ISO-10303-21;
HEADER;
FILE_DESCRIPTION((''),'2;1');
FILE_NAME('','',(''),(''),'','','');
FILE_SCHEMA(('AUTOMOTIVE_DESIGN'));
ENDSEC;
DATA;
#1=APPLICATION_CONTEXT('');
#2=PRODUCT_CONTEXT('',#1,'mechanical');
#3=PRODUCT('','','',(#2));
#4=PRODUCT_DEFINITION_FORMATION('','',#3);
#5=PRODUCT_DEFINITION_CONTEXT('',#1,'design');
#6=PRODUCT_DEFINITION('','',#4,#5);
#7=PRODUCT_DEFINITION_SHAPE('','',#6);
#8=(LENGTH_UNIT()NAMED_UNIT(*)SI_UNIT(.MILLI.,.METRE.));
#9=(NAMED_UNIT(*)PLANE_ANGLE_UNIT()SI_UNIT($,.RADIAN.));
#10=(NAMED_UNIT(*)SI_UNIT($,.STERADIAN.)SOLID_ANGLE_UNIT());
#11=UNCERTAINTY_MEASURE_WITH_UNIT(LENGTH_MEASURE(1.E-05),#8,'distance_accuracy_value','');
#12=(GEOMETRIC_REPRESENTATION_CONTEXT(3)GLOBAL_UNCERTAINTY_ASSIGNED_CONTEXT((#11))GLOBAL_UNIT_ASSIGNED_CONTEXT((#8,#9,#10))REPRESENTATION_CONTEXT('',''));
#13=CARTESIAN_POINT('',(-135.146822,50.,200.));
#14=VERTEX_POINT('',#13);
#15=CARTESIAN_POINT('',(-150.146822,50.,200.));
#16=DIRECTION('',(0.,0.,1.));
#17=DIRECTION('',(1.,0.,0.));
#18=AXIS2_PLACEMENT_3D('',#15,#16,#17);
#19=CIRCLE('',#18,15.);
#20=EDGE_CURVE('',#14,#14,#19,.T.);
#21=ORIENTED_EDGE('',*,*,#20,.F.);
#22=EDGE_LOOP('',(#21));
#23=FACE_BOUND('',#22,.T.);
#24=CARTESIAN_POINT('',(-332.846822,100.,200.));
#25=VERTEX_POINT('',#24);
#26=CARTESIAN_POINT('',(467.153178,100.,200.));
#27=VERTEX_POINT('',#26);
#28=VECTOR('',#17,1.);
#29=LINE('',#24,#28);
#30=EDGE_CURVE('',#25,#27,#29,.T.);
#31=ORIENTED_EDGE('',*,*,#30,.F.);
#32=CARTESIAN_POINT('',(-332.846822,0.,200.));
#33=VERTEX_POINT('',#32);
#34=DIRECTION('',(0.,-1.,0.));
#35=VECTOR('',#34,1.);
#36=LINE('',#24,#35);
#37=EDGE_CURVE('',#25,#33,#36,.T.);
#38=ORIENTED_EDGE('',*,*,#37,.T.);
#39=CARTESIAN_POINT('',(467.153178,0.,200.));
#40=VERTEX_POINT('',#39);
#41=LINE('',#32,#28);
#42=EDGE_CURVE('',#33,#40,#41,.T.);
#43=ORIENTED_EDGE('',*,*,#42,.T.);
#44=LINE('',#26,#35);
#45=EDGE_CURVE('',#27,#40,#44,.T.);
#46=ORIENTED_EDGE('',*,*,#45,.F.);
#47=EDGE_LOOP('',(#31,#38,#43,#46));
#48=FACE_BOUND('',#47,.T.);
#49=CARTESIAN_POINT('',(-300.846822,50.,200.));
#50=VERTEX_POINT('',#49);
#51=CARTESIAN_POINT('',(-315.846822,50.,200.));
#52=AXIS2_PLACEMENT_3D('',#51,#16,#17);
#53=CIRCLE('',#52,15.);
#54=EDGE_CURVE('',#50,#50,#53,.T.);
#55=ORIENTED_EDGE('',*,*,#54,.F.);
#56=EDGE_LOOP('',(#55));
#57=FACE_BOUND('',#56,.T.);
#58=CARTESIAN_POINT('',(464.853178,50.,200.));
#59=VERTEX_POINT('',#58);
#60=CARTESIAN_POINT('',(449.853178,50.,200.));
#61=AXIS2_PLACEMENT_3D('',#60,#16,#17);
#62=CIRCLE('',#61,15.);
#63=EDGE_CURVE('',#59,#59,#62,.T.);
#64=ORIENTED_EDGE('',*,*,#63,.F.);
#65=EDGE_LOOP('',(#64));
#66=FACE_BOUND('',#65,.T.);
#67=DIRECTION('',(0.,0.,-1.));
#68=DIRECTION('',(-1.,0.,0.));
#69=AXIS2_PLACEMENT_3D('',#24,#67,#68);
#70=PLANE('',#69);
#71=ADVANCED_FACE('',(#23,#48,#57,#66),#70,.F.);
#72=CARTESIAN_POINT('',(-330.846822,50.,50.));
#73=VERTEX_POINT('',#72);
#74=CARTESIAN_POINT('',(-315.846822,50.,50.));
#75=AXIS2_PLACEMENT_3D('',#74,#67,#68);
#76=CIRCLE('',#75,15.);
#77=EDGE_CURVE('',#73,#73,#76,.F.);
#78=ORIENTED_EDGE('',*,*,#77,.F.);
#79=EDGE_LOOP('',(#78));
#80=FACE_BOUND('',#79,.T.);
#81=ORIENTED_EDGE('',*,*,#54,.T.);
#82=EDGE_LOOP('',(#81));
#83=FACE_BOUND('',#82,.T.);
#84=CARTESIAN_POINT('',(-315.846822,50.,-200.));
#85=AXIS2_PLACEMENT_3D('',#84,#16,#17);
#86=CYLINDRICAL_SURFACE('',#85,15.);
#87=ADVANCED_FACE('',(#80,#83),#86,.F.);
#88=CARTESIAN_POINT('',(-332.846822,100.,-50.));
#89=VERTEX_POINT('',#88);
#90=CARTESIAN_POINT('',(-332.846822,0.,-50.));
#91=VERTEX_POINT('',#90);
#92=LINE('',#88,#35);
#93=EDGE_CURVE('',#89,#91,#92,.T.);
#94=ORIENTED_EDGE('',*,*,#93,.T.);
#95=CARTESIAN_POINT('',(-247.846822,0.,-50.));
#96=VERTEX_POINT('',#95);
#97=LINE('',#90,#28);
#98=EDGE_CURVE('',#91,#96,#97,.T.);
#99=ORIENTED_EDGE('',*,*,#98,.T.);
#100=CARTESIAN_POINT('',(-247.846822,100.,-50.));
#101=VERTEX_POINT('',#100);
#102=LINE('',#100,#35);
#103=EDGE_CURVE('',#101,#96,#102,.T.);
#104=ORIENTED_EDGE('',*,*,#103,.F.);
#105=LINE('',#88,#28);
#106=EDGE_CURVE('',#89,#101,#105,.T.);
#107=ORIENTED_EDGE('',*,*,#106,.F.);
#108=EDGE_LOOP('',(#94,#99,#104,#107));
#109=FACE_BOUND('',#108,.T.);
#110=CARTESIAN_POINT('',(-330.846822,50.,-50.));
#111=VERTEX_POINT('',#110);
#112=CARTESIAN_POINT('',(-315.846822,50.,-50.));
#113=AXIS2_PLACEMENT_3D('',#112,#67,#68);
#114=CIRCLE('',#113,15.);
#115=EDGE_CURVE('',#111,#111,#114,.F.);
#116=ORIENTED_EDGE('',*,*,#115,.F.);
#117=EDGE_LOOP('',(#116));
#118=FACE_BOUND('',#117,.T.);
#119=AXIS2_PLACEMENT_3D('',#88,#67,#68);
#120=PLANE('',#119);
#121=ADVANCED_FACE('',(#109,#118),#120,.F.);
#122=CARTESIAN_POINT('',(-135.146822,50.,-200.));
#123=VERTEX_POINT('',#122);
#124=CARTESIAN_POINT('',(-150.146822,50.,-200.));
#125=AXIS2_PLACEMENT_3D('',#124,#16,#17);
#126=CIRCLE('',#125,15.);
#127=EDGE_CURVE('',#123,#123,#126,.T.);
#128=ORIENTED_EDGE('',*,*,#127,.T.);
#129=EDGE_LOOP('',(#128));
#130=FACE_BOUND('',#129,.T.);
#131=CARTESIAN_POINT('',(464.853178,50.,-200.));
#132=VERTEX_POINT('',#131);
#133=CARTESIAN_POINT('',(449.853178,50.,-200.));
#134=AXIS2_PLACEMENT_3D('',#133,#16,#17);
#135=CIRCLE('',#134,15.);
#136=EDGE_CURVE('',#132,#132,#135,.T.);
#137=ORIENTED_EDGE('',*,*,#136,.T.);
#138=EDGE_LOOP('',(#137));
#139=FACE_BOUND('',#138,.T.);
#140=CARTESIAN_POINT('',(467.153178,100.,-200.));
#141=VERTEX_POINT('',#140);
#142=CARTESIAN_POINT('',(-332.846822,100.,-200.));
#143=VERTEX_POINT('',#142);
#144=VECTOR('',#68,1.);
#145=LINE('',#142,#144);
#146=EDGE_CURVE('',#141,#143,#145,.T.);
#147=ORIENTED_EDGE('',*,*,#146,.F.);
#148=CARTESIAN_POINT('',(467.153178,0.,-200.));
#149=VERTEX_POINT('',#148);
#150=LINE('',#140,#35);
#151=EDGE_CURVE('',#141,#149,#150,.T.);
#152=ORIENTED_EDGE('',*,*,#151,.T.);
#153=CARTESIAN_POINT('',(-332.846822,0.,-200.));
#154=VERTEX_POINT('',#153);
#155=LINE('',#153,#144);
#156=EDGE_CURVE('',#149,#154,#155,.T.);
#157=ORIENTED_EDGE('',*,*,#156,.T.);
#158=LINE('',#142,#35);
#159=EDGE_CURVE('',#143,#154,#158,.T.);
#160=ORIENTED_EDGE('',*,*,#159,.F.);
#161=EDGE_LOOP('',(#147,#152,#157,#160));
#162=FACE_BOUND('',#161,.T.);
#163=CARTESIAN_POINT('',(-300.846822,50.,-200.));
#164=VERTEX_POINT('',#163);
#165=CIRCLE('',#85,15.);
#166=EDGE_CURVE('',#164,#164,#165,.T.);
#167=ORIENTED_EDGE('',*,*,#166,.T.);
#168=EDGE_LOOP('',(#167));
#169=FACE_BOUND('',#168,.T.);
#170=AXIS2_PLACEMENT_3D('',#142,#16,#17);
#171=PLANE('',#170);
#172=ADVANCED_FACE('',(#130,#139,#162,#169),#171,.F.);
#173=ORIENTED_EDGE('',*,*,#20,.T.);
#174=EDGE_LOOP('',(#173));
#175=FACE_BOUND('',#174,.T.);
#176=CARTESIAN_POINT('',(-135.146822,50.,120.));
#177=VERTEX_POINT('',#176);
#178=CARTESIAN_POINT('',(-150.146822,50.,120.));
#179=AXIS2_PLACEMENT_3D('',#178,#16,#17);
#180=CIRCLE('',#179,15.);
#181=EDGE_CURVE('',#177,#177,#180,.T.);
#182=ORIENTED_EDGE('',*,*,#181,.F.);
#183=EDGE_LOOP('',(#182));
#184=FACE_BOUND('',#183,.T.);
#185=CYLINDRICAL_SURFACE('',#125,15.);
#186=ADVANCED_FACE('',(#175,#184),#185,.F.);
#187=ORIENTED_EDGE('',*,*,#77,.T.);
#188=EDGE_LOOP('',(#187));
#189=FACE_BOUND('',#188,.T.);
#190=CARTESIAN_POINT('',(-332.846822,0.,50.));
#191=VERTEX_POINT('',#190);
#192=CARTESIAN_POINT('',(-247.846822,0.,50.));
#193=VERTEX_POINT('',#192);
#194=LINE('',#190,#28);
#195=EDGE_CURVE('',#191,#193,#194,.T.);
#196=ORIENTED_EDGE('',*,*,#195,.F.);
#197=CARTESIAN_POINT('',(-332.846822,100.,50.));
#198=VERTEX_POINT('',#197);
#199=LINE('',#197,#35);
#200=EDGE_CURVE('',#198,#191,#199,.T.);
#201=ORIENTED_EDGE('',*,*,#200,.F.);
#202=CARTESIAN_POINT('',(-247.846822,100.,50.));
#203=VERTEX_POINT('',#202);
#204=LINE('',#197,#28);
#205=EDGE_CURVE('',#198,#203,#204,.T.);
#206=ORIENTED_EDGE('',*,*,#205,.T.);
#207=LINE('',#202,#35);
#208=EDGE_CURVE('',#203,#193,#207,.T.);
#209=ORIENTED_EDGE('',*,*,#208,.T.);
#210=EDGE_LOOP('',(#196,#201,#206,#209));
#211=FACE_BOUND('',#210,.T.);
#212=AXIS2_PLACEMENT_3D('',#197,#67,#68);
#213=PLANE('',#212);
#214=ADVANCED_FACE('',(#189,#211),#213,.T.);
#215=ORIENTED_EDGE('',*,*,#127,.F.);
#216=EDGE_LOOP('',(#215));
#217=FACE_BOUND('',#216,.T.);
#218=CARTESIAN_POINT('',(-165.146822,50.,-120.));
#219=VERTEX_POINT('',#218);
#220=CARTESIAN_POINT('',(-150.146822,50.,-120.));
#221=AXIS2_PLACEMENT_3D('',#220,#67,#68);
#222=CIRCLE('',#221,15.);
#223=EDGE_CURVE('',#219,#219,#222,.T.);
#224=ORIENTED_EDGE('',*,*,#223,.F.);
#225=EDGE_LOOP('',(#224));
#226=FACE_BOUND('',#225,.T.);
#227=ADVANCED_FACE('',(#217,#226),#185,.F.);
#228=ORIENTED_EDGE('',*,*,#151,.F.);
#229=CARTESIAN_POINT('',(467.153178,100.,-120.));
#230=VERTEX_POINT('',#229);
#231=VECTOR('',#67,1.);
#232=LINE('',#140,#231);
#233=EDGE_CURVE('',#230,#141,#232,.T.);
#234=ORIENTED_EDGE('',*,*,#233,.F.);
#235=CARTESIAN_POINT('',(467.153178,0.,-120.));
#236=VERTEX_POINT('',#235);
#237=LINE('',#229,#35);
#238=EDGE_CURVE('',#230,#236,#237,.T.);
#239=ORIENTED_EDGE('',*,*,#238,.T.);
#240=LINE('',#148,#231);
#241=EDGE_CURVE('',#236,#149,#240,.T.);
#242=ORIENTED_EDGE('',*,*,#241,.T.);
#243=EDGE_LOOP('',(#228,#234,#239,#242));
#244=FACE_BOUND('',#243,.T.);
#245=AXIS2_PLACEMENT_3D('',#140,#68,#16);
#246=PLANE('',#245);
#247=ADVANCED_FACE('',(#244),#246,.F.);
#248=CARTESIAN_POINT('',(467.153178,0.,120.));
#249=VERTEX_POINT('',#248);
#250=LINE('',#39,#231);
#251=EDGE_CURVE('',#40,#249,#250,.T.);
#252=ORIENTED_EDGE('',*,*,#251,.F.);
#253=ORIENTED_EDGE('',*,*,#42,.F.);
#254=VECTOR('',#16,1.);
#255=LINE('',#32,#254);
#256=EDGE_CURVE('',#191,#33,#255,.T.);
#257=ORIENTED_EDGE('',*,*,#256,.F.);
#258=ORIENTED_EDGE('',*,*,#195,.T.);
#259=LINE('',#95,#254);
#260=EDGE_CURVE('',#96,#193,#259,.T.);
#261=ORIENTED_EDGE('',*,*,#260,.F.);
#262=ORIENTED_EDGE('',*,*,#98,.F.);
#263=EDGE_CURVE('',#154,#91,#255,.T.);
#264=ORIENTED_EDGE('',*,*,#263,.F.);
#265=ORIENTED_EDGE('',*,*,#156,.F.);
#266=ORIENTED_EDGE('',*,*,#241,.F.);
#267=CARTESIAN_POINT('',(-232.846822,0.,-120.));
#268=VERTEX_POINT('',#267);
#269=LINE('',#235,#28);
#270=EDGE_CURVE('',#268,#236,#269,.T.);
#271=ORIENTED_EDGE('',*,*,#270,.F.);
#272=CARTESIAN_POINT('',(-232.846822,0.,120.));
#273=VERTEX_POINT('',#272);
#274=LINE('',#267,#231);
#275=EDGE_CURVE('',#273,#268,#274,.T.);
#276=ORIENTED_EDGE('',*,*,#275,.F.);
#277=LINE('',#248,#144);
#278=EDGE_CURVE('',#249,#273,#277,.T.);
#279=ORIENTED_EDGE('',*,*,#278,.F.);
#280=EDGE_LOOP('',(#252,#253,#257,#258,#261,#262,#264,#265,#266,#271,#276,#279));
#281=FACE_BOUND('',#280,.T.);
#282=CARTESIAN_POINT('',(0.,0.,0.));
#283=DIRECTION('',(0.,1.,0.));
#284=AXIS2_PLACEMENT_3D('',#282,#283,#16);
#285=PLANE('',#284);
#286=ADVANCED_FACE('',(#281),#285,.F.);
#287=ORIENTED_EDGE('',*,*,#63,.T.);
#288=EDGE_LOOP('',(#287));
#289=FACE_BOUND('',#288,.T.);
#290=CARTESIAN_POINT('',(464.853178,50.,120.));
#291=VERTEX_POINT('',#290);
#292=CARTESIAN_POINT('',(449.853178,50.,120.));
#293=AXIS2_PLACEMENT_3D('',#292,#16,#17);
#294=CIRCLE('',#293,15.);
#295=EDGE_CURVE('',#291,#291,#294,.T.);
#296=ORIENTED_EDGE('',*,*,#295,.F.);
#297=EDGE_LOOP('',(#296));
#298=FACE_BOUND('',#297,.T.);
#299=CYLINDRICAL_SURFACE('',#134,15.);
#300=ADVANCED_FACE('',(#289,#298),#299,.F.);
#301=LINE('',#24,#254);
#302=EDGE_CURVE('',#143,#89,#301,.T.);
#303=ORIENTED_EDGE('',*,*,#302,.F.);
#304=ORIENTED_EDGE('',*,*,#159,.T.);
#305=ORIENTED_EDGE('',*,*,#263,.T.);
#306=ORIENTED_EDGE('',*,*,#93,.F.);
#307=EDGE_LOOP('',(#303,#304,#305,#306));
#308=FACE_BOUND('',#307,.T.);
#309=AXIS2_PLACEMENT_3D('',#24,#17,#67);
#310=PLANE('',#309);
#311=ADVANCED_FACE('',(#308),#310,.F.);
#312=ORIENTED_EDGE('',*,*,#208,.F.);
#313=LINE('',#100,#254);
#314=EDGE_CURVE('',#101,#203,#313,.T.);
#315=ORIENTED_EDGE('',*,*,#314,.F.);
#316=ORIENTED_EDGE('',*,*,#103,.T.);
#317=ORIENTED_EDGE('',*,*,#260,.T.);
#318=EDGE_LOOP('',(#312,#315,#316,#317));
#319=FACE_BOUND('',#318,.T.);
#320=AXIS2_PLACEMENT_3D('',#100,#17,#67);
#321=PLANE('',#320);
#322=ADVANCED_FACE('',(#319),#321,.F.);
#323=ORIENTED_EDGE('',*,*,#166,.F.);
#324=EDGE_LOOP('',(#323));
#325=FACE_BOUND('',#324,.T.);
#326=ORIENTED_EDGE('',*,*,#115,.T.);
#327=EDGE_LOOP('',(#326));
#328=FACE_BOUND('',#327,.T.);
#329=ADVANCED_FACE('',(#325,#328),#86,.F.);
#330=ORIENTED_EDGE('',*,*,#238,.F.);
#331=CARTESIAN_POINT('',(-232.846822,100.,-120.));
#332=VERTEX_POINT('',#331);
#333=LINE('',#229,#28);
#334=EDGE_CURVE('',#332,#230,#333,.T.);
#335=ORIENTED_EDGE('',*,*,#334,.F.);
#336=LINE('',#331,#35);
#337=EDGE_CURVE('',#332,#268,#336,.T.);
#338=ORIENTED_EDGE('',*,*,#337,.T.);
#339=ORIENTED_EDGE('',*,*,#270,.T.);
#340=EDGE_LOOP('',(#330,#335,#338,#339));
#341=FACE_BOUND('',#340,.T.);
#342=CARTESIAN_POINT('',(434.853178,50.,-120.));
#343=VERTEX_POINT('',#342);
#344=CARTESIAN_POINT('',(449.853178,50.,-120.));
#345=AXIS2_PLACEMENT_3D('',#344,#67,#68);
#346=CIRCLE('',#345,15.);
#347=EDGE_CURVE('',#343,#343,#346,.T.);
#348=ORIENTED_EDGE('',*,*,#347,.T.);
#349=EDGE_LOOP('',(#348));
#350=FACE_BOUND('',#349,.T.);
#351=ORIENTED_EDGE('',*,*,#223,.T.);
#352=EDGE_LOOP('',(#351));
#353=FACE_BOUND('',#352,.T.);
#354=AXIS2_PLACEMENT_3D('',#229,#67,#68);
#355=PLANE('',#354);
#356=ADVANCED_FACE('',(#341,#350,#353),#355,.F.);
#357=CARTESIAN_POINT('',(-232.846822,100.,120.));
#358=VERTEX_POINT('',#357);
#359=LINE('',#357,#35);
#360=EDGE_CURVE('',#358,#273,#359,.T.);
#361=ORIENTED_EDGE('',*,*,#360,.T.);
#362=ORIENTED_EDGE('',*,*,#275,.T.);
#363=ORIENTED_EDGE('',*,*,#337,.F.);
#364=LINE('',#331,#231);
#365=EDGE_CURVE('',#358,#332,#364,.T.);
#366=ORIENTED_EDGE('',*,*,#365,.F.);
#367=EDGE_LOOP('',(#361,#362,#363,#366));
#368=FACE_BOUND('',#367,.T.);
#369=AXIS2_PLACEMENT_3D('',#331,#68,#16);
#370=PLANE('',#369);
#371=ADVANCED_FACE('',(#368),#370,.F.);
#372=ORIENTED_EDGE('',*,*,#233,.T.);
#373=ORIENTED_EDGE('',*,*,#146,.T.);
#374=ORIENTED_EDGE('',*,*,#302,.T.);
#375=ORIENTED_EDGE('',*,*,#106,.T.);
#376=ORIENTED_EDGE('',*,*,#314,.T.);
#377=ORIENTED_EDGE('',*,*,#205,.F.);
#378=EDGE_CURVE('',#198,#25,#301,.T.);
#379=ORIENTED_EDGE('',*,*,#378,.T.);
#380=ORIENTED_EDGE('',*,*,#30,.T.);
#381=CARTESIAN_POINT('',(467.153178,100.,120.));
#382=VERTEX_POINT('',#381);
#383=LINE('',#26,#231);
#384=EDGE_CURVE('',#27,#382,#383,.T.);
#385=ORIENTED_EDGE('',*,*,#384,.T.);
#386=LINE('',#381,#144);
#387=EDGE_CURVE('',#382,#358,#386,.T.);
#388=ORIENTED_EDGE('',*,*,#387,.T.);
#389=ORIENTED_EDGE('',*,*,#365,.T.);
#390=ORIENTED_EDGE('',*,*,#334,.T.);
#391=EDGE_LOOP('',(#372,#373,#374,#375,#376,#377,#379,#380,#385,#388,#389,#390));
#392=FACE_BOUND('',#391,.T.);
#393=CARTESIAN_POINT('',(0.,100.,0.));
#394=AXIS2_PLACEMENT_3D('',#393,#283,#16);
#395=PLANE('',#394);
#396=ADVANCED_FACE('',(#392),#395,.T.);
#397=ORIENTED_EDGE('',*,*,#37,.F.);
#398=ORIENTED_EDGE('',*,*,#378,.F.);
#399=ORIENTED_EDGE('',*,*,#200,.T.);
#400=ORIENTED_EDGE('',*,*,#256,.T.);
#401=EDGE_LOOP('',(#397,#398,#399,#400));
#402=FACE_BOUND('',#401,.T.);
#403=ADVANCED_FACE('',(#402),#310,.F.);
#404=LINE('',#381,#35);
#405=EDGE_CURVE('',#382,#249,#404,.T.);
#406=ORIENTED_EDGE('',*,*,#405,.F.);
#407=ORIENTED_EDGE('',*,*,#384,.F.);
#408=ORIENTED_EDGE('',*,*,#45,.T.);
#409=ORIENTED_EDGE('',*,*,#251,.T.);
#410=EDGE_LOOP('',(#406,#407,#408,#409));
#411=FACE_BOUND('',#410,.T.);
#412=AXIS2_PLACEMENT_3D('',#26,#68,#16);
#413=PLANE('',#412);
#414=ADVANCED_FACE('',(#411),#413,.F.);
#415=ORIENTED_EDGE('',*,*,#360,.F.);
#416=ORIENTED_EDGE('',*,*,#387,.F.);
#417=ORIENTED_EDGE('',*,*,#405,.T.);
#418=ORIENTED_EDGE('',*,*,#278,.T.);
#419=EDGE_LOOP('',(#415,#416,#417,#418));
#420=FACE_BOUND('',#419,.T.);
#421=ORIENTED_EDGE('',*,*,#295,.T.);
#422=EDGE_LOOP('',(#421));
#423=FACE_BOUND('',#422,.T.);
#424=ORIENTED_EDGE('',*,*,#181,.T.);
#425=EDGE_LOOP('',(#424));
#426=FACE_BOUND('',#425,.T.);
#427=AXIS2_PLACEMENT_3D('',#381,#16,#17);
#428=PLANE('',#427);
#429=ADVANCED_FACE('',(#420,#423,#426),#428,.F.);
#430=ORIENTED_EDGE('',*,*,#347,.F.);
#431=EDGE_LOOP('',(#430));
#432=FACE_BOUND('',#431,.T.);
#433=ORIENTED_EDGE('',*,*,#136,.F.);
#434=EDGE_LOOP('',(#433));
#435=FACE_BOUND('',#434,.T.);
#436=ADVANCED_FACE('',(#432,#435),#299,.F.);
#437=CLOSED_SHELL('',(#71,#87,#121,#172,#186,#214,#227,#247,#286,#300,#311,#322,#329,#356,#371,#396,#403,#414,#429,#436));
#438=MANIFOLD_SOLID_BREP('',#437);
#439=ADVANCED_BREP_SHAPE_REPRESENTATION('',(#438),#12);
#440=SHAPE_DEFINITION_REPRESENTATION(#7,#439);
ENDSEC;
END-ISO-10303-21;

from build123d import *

# Parameters (mm, degrees)
ESTRUSIONE_ESTRUSIONE1_DEPTH  = 100
TAGLIO_ESTRUSIONE5_DEPTH      = 518.911277836
TAGLIO_ESTRUSIONE5_DEPTH_BACK = 518.911277836
SCHIZZO2_R                    = 15
TAGLIO_ESTRUSIONE6_DEPTH      = 518.911277836
TAGLIO_ESTRUSIONE6_DEPTH_BACK = 518.911277836
SCHIZZO3_W                    = 85
SCHIZZO3_H                    = 100


with BuildPart() as part:
    # Schizzo1 → Estrusione-Estrusione1 (new body)
    with BuildSketch(Plane(origin=(0, 0, 0), x_dir=(1, 0, 0), z_dir=(0, 1, 0))):
        Polygon((-332.846822006, -200), (-332.846822006, 200), (467.153177994, 200), (467.153177994, 120), (-232.846822006, 120), (-232.846822006, -120), (467.153177994, -120), (467.153177994, -200), align=None)
    extrude(amount=ESTRUSIONE_ESTRUSIONE1_DEPTH)

    # Schizzo2 → Taglio-Estrusione5 (cut, two sides: drawn at the far end of the back side and taken through both)
    with BuildSketch(Plane.XY.offset(-TAGLIO_ESTRUSIONE5_DEPTH_BACK)):
        with Locations((-315.846822006, 50)):
            Circle(SCHIZZO2_R)
        with Locations((-150.146822006, 50)):
            Circle(SCHIZZO2_R)
        with Locations((449.853177994, 50)):
            Circle(SCHIZZO2_R)
    extrude(amount=TAGLIO_ESTRUSIONE5_DEPTH + TAGLIO_ESTRUSIONE5_DEPTH_BACK, mode=Mode.SUBTRACT)

    # Schizzo3 → Taglio-Estrusione6 (cut, two sides: drawn at the far end of the back side and taken through both)
    with BuildSketch(Plane(origin=(0, 0, 0), x_dir=(1, 0, 0), z_dir=(0, 1, 0)).offset(-TAGLIO_ESTRUSIONE6_DEPTH_BACK)):
        with Locations((-290.346822006, 0)):
            Rectangle(SCHIZZO3_W, SCHIZZO3_H)
    extrude(amount=TAGLIO_ESTRUSIONE6_DEPTH + TAGLIO_ESTRUSIONE6_DEPTH_BACK, mode=Mode.SUBTRACT)


solid = part.part
